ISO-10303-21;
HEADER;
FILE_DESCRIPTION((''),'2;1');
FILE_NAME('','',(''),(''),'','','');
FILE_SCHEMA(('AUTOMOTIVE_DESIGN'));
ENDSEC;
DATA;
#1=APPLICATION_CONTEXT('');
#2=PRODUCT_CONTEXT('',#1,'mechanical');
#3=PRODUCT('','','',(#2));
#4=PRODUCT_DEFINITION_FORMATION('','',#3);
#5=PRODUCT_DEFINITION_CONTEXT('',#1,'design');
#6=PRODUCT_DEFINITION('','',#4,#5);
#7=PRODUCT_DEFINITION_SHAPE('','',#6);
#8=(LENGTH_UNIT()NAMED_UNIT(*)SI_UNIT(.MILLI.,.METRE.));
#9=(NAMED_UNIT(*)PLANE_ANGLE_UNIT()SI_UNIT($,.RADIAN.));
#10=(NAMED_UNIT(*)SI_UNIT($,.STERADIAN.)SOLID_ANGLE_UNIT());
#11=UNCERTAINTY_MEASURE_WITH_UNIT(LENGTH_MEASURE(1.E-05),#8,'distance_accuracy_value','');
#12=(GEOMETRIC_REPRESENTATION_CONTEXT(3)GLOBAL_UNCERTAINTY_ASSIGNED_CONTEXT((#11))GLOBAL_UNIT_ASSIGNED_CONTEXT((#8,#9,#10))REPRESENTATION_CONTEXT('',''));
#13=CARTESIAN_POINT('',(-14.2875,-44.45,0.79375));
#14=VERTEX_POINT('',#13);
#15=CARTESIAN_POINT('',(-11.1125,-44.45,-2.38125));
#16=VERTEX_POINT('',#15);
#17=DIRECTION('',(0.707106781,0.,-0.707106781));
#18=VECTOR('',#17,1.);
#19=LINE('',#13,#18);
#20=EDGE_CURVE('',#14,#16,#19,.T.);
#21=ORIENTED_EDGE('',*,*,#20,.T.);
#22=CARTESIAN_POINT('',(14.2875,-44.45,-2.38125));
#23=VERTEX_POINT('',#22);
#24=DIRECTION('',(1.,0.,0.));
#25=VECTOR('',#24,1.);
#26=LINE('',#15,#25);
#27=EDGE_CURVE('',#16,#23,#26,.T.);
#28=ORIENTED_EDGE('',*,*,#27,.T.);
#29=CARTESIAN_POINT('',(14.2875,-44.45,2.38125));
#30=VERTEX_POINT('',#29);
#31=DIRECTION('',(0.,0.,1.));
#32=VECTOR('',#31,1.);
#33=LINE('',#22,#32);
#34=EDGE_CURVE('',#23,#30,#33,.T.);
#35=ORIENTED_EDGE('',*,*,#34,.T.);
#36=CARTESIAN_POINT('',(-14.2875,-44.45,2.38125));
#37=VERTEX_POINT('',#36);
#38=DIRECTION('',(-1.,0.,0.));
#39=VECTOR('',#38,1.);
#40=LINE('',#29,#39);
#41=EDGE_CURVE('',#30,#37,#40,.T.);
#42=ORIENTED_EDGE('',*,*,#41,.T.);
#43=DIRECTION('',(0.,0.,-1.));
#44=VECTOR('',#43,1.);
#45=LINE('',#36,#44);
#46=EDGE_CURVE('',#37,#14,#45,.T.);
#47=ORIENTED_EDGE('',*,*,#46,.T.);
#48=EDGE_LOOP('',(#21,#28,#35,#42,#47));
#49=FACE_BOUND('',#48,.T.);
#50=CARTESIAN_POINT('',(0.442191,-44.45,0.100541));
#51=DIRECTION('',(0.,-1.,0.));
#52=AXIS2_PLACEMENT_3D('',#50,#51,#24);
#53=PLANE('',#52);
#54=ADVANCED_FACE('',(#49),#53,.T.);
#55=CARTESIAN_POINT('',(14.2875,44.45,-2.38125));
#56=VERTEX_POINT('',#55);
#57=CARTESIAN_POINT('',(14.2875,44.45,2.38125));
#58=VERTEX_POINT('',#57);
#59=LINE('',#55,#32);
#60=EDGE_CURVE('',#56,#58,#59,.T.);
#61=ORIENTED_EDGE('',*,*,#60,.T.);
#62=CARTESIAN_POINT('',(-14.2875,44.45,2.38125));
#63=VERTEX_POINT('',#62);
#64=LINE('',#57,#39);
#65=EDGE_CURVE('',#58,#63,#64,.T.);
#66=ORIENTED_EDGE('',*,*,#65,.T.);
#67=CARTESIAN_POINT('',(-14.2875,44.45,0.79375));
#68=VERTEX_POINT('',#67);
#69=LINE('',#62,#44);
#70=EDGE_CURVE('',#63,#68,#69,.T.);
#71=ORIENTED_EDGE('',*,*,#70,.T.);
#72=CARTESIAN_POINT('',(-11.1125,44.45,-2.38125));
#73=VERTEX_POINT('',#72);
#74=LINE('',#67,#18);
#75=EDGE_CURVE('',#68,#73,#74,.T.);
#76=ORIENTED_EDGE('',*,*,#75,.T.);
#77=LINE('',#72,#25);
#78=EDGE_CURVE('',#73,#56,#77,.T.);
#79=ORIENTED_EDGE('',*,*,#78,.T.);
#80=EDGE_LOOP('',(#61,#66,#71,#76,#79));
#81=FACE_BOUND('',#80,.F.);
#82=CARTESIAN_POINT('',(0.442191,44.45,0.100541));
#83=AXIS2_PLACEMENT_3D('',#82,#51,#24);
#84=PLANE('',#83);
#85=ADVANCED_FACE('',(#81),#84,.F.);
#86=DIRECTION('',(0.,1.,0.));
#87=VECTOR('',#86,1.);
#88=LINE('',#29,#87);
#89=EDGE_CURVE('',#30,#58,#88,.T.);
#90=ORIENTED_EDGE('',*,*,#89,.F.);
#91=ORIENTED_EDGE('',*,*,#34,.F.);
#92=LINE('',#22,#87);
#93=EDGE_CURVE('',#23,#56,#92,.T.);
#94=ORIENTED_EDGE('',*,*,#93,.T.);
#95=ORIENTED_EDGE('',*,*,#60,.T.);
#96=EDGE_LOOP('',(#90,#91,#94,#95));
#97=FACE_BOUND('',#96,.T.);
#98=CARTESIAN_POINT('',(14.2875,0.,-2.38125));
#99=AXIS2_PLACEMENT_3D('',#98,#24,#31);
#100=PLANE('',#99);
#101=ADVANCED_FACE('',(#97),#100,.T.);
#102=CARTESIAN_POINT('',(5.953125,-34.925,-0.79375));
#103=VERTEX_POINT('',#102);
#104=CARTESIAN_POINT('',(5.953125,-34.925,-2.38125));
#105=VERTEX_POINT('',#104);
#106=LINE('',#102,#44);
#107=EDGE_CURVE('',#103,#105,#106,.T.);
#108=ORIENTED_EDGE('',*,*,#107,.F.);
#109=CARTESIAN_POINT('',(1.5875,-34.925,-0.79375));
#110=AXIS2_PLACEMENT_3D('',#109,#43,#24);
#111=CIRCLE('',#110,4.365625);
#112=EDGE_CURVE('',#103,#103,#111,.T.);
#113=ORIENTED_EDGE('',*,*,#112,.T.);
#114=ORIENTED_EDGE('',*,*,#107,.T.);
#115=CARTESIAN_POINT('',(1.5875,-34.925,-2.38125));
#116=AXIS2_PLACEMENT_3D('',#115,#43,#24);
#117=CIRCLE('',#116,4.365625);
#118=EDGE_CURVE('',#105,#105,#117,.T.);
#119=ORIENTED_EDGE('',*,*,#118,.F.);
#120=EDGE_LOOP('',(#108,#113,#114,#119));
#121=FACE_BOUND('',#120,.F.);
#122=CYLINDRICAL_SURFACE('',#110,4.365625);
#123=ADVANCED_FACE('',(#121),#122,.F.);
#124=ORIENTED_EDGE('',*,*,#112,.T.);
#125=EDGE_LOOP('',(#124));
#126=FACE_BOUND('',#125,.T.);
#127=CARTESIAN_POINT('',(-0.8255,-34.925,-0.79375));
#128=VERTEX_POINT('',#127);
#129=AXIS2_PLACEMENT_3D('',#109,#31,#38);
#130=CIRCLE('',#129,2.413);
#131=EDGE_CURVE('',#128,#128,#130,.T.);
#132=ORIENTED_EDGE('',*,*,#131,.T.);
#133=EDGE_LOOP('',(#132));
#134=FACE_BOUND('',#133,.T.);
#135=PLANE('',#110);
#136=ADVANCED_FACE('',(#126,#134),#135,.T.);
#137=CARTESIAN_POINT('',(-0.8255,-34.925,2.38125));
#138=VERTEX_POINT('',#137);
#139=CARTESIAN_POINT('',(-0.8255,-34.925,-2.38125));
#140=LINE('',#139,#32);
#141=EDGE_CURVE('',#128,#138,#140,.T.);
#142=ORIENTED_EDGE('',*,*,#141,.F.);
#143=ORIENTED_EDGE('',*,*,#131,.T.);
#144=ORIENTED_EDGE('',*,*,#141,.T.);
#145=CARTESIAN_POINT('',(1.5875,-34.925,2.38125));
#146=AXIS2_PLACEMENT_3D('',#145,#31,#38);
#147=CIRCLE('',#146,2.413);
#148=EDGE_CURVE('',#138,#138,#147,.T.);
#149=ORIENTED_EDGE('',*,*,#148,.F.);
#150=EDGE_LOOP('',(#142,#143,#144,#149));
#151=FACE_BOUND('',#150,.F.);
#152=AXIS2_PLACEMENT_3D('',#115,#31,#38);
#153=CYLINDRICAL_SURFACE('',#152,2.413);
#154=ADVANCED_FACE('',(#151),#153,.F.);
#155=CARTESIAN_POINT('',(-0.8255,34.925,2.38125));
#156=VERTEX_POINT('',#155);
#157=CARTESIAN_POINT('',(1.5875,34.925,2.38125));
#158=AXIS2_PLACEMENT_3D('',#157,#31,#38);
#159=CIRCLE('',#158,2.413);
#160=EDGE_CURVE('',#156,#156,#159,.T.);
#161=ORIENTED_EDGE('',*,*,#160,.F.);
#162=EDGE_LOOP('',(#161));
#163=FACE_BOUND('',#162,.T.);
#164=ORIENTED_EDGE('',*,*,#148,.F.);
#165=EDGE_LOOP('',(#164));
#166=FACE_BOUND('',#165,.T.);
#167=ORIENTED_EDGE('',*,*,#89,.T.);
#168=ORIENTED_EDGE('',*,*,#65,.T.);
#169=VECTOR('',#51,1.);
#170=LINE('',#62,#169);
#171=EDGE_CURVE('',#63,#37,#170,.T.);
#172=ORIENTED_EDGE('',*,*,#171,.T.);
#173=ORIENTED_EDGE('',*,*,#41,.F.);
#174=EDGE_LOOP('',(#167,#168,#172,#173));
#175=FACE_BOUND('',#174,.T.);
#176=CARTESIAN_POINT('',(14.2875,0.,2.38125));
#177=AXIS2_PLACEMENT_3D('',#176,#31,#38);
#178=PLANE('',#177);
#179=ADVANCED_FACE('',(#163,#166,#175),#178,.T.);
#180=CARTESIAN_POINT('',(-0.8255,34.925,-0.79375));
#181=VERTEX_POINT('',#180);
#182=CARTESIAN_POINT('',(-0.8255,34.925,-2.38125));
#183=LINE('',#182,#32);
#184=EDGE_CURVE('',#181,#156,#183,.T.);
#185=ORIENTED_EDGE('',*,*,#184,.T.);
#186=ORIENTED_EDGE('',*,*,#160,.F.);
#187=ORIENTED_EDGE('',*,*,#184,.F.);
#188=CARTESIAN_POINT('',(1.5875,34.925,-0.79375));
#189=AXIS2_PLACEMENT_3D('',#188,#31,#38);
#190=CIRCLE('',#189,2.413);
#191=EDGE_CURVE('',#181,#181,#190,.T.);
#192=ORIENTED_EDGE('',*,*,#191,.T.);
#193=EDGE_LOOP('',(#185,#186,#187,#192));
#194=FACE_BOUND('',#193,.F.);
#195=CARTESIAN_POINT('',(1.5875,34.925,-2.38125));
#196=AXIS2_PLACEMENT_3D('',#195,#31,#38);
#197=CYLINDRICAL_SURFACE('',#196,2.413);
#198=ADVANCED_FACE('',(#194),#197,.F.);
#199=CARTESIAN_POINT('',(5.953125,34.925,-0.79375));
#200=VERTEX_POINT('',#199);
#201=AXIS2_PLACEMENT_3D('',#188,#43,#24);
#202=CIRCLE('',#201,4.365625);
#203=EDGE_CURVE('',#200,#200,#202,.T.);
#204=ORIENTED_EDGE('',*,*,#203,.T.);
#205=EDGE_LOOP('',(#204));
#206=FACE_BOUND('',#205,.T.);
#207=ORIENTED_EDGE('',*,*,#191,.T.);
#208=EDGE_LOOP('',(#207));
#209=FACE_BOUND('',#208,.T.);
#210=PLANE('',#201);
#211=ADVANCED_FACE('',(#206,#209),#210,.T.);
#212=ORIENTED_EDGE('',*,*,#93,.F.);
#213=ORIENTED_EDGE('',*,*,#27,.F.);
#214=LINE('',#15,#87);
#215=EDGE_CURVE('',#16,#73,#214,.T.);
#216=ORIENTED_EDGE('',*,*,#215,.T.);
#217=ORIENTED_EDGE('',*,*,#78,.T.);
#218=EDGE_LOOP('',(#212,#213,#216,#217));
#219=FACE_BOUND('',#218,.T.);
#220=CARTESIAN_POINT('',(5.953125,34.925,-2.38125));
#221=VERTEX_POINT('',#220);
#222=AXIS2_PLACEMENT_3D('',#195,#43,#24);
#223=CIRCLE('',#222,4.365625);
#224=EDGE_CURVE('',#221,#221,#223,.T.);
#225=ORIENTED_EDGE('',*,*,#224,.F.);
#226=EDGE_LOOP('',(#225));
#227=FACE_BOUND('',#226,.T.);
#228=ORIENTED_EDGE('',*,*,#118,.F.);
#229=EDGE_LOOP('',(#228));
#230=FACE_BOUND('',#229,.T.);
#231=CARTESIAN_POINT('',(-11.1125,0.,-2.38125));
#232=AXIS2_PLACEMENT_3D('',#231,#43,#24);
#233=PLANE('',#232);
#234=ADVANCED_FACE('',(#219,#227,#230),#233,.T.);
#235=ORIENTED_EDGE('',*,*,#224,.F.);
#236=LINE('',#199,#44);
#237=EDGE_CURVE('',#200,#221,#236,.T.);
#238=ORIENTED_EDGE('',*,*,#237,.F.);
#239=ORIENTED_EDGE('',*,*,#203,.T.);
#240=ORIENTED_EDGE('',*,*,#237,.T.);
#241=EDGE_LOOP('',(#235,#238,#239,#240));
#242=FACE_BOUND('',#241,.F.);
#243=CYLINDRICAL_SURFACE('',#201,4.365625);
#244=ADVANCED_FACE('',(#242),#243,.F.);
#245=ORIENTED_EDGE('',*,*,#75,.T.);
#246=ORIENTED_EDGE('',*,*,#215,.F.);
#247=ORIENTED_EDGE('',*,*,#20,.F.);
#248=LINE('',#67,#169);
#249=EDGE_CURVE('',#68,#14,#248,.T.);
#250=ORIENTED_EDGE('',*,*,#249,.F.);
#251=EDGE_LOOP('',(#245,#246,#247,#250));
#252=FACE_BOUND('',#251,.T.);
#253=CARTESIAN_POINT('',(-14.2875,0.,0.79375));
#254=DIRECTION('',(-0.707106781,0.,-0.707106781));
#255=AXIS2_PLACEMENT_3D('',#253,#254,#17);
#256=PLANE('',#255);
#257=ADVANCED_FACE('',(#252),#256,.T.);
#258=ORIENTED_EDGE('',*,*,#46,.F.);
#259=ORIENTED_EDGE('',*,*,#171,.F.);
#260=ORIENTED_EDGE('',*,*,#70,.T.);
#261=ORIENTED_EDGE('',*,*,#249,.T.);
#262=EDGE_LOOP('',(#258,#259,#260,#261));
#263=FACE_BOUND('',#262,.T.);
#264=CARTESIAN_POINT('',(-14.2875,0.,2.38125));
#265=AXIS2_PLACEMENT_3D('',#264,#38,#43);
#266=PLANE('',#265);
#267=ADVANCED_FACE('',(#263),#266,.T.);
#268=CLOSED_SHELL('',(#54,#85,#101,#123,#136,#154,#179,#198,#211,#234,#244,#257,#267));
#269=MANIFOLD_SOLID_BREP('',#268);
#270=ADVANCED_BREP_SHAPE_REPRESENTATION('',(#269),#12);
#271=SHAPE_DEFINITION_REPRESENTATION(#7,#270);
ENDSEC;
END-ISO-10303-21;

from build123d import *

# Parameters (mm, degrees)
F0_DEPTH       = 44.45
F1_D           = 4.826
F1_CBORE_D     = 8.73125
F1_CBORE_DEPTH = 1.5875


with BuildPart() as f0:
    # F2 (on Front) → F0 (new body, symmetric)
    with BuildSketch(Plane.XZ):
        Polygon((14.2875, 2.38125), (-14.2875, 2.38125), (-14.2875, 0.79375), (-11.1125, -2.38125), (14.2875, -2.38125), align=None)
    extrude(amount=F0_DEPTH, both=True)

    # F1 (through all)
    with Locations(Plane(origin=(0, 0, -2.38125), x_dir=(1, 0, 0), z_dir=(0, 0, -1))):
        with Locations((1.5875, 34.925), (1.5875, -34.925)):
            CounterBoreHole(F1_D / 2, F1_CBORE_D / 2, F1_CBORE_DEPTH)


solid = f0.part
